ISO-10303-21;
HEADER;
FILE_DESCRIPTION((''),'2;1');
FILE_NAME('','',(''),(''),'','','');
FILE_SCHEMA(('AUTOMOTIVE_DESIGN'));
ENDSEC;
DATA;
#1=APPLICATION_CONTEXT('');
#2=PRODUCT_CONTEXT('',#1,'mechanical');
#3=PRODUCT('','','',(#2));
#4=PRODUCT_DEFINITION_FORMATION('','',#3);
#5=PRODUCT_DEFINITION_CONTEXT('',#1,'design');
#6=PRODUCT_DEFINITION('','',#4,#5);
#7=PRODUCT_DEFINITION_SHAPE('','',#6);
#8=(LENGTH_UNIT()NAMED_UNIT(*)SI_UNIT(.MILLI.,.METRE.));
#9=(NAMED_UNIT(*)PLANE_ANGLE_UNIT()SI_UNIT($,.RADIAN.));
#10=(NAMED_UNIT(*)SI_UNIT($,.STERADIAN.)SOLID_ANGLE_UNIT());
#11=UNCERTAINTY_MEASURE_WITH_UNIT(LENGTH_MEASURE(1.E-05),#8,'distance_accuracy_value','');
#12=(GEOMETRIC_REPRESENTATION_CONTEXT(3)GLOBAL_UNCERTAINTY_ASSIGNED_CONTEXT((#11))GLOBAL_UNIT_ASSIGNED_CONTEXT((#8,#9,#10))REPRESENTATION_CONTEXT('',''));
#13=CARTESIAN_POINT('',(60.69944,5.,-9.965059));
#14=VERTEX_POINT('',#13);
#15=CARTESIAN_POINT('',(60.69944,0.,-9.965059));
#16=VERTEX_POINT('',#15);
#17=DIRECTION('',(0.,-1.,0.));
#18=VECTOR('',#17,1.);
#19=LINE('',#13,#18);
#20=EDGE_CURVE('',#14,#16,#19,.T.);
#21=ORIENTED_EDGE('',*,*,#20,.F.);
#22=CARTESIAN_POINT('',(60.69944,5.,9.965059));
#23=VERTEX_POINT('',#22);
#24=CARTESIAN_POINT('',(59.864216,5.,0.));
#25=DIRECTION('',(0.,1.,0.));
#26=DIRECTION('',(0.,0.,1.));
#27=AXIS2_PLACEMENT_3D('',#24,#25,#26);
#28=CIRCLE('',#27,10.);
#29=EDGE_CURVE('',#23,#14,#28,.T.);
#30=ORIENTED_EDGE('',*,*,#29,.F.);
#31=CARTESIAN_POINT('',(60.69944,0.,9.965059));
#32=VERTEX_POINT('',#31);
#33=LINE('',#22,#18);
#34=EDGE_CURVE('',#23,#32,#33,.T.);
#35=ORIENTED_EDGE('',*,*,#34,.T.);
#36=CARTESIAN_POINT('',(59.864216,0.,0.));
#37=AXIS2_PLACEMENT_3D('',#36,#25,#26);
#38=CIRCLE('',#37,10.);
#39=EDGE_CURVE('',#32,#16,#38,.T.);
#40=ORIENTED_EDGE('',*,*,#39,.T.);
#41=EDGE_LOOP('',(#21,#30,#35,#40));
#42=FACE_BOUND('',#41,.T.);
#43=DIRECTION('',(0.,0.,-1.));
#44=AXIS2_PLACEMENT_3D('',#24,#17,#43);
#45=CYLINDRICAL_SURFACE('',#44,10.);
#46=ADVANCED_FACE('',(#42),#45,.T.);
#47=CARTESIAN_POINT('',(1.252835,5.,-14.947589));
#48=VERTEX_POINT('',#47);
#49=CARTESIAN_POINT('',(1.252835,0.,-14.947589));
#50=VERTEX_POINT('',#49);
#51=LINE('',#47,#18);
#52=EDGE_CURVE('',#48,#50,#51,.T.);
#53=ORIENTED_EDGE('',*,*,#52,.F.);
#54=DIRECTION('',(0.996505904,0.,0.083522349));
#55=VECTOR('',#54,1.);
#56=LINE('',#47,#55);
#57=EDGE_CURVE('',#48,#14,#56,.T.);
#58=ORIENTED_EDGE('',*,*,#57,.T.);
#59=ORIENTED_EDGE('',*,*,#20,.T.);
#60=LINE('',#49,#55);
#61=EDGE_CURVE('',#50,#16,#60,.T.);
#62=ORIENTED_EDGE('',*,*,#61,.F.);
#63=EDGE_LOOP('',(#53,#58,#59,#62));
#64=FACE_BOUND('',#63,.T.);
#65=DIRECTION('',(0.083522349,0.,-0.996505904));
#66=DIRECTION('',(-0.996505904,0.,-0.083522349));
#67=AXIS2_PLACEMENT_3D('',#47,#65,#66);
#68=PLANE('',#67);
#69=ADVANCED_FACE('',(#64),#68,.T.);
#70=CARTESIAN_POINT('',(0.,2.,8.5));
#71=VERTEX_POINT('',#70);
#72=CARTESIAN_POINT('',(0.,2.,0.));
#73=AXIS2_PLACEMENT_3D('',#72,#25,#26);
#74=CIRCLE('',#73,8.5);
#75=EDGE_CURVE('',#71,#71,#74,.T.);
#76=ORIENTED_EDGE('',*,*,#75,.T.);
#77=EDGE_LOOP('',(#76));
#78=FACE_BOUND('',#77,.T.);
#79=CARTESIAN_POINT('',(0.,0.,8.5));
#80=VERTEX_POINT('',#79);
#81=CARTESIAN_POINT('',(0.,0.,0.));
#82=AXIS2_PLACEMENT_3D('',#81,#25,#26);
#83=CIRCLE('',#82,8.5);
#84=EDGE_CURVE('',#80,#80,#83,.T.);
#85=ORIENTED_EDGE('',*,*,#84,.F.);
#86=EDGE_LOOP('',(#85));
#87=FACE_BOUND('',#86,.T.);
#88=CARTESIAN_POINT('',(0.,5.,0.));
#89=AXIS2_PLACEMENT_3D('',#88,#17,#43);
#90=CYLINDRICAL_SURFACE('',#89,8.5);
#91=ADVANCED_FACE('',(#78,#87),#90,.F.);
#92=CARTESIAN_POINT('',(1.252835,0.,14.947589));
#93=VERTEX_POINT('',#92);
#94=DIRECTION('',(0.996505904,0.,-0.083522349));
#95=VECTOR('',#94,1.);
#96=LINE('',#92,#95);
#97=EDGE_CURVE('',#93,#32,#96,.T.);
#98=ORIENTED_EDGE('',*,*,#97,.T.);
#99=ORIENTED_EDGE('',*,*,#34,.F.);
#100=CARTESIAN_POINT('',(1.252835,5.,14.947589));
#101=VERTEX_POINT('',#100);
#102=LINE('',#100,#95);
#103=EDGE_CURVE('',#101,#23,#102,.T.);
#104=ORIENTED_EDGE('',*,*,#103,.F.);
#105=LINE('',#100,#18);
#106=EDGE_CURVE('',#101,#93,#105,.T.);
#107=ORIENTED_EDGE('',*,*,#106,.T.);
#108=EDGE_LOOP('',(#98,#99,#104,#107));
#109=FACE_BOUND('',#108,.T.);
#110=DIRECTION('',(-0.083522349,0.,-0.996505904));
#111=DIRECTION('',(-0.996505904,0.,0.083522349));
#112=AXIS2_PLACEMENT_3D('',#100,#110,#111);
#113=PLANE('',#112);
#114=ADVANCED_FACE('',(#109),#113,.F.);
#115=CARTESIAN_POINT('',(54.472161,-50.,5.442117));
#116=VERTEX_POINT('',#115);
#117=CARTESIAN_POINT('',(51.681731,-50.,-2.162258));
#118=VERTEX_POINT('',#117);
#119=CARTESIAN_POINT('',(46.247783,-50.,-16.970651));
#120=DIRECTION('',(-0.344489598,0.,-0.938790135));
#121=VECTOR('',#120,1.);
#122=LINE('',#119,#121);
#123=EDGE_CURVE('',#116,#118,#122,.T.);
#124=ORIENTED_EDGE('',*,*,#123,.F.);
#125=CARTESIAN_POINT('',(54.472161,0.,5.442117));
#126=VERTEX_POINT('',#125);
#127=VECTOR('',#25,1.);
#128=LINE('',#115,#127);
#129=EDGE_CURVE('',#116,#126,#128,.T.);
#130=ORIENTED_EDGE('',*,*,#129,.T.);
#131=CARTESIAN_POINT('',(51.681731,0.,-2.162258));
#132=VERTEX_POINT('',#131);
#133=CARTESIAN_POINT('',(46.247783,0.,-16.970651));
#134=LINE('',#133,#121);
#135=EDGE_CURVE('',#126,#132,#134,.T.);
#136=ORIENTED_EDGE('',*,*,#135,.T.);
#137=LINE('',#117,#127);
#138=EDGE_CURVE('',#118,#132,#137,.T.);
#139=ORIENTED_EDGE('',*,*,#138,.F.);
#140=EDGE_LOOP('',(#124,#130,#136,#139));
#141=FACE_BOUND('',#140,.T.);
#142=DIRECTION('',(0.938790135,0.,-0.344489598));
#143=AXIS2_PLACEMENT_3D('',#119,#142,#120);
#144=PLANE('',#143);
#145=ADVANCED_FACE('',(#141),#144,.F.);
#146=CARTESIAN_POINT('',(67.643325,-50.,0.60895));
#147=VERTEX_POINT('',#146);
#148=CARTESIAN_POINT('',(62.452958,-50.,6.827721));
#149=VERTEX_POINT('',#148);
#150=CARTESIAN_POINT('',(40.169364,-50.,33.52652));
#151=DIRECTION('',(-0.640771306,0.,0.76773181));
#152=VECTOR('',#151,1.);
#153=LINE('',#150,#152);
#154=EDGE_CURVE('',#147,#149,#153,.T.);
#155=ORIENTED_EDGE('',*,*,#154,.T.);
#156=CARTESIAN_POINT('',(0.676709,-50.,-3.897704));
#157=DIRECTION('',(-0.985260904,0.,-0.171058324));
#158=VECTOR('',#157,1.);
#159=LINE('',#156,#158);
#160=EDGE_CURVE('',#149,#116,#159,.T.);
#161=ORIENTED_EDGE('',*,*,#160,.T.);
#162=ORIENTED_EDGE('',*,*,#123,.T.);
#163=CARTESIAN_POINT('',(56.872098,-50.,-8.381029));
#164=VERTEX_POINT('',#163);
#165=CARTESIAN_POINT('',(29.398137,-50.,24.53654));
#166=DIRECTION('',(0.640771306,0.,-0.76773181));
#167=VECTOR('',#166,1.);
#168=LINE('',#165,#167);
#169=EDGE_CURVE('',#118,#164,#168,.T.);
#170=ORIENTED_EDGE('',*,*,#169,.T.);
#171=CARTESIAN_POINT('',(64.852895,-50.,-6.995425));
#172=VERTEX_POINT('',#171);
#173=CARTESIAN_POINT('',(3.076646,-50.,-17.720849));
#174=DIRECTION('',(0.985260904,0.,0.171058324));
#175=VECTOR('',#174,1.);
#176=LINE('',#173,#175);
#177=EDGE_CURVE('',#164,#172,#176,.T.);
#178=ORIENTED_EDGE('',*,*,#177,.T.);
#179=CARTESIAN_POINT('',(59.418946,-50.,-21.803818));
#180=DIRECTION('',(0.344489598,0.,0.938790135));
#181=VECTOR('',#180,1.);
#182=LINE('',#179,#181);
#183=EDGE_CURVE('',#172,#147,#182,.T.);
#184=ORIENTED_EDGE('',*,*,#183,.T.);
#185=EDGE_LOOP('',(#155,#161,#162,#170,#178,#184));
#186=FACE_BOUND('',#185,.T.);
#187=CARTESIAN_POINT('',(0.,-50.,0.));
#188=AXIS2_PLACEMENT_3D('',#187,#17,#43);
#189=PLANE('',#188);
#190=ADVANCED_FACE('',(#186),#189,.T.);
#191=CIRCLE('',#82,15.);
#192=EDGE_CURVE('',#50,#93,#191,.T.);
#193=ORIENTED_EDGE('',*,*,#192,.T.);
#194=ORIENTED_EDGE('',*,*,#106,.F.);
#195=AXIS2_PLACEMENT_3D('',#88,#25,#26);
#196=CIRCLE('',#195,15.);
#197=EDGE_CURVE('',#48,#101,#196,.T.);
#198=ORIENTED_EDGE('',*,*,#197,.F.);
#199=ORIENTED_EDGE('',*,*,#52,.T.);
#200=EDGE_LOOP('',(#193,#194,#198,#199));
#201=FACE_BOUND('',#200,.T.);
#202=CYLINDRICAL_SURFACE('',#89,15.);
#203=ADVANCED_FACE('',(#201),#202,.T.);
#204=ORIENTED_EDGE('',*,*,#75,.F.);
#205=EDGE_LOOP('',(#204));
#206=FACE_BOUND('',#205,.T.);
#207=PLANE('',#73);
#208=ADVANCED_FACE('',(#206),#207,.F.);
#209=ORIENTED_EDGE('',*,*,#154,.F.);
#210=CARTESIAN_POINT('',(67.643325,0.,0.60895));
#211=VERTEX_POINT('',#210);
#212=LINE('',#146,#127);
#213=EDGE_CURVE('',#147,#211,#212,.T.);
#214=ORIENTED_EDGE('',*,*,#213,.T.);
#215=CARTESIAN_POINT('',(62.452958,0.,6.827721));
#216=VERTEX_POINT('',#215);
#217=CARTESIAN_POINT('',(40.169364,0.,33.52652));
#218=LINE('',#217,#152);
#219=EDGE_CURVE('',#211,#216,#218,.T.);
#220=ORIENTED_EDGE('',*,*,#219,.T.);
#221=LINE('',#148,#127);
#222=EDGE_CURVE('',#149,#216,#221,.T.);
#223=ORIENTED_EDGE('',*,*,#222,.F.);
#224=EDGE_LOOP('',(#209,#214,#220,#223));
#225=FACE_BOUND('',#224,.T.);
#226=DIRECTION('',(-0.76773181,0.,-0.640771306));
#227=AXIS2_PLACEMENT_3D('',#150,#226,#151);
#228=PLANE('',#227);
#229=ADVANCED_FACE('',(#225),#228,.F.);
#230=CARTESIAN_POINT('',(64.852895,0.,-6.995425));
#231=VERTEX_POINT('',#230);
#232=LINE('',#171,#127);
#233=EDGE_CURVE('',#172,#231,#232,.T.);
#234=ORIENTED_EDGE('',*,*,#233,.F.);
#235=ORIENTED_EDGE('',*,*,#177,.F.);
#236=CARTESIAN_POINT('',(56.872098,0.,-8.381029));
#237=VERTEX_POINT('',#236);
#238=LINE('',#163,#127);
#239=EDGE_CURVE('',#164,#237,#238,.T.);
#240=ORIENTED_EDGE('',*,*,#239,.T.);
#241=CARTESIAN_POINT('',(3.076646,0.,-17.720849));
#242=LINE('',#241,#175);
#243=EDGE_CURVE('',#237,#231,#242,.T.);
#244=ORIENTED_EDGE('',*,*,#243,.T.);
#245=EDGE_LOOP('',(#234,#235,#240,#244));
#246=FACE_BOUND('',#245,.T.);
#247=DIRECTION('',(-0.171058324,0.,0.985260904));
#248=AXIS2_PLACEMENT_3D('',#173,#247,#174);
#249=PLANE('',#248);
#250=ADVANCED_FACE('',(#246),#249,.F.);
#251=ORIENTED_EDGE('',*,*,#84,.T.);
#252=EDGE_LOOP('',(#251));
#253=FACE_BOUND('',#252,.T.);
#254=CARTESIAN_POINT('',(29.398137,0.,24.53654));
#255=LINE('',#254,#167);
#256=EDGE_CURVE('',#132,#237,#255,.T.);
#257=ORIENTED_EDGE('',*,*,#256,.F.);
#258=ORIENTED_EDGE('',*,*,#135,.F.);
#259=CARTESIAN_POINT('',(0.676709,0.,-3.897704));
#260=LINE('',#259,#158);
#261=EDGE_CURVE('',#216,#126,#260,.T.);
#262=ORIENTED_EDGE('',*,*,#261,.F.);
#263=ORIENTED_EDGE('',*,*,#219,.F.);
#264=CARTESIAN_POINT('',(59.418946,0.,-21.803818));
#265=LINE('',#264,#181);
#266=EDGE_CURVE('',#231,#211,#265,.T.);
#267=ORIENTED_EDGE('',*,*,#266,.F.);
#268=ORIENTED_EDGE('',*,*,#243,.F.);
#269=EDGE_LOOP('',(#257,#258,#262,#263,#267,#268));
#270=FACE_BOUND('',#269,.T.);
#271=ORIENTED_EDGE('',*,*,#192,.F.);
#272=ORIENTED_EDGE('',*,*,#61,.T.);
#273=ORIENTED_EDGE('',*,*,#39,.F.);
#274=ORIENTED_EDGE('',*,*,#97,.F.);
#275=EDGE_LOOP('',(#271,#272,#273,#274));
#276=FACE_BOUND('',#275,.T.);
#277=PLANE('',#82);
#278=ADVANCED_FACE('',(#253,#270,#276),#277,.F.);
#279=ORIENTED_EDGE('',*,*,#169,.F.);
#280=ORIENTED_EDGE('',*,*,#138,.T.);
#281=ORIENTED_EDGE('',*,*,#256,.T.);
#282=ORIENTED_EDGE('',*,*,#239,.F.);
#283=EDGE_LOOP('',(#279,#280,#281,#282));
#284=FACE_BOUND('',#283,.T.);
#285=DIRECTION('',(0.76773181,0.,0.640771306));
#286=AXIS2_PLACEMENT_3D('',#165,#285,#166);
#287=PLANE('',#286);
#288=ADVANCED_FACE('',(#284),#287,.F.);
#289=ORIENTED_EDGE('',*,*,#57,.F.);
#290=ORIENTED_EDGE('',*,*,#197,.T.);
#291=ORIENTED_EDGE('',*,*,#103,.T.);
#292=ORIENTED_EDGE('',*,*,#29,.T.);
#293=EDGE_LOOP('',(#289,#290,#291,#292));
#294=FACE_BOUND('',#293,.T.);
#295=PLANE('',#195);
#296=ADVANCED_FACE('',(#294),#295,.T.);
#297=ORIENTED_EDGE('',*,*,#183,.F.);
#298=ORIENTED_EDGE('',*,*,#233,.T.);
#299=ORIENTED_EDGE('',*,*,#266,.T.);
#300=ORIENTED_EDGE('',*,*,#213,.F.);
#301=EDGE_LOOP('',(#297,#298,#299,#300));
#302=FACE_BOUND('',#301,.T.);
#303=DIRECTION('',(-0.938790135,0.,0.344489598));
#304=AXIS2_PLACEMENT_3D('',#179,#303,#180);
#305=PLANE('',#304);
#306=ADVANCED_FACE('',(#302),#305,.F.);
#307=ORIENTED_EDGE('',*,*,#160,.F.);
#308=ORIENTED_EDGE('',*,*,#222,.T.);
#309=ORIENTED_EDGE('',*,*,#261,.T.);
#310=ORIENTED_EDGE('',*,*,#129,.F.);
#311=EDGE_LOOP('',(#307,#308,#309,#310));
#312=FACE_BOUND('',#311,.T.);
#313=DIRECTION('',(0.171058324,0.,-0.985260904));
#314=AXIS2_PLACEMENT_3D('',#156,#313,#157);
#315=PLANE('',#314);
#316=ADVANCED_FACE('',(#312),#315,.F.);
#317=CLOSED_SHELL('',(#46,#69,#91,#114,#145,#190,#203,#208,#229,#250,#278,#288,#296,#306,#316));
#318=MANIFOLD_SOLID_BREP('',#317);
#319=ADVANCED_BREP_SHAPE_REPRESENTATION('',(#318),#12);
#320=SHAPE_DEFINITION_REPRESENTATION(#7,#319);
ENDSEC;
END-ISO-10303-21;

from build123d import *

# Parameters (mm, degrees)
SKETCH_1_R      = 15
SKETCH_1_R_2    = 8.5
SKETCH_1_R_3    = 10
EXTRUDE_5_DEPTH = 5
EXTRUDE_START   = -3
SKETCH_3_R      = 8.5
EXTRUDE_6_DEPTH = 3
EXTRUDE_8_DEPTH = 50


with BuildPart() as part:
    # 草图1 → 凸台-拉伸5 (new body)
    # profile 1 of 3: a face of its own
    with BuildSketch(Plane(origin=(0, 0, 0), x_dir=(1, 0, 0), z_dir=(0, 1, 0))):
        Circle(SKETCH_1_R)
        with Locations(Location((0, 0, 0), (0, 0, 270))):
            Circle(SKETCH_1_R_2, mode=Mode.SUBTRACT)
    # profile 2 of 3: a face of its own
    with BuildSketch(Plane(origin=(0, 0, 0), x_dir=(1, 0, 0), z_dir=(0, 1, 0))):
        with BuildLine():
            Line((60.699439854, 9.965059042), (1.252835242, 14.947588563))
            ThreePointArc((1.252835242, 14.947588563), (11.040664125, 10.154000969), (15, 0))
            ThreePointArc((15, 0), (11.040664125, -10.154000969), (1.252835242, -14.947588563))
            Line((1.252835242, -14.947588563), (60.699439854, -9.965059042))
            ThreePointArc((60.699439854, -9.965059042), (49.864216359, 0), (60.699439854, 9.965059042))
        make_face()
    # profile 3 of 3: a face of its own
    with BuildSketch(Plane(origin=(0, 0, 0), x_dir=(1, 0, 0), z_dir=(0, 1, 0))):
        with Locations((59.864216359, 0)):
            Circle(SKETCH_1_R_3)
    extrude(amount=EXTRUDE_5_DEPTH)

    # 草图3 → 凸台-拉伸6 (add)
    with BuildSketch(Plane(origin=(0, 5, 0), x_dir=(1, 0, 0), z_dir=(0, 1, 0)).offset(EXTRUDE_START)):
        with Locations(Location((0, 0, 0), (0, 0, 270))):
            Circle(SKETCH_3_R)
    extrude(amount=EXTRUDE_6_DEPTH)

    # 草图4 → 凸台-拉伸8 (add)
    with BuildSketch(Plane(origin=(0, 0, 0), x_dir=(-1, 0, 0), z_dir=(0, -1, 0))):
        Polygon((-64.16134725, -4.724526638), (-64.16134725, 5.275473362), (-54.280111118, 5.275473362), (-56.872098045, 8.381028801), (-64.852894721, 6.995424542), (-67.643324571, -0.608950251), (-62.452957745, -6.827720786), (-54.472161069, -5.442116527), (-54.208841033, -4.724526638), align=None)
        Polygon((-51.681731219, 2.162258266), (-54.16134725, 5.133177977), (-54.16134725, -4.595098362), align=None)
        Polygon((-54.280111118, 5.275473362), (-64.16134725, 5.275473362), (-64.16134725, -4.724526638), (-54.208841033, -4.724526638), (-54.16134725, -4.595098362), (-54.16134725, 5.133177977), align=None)
    extrude(amount=EXTRUDE_8_DEPTH)


solid = part.part
